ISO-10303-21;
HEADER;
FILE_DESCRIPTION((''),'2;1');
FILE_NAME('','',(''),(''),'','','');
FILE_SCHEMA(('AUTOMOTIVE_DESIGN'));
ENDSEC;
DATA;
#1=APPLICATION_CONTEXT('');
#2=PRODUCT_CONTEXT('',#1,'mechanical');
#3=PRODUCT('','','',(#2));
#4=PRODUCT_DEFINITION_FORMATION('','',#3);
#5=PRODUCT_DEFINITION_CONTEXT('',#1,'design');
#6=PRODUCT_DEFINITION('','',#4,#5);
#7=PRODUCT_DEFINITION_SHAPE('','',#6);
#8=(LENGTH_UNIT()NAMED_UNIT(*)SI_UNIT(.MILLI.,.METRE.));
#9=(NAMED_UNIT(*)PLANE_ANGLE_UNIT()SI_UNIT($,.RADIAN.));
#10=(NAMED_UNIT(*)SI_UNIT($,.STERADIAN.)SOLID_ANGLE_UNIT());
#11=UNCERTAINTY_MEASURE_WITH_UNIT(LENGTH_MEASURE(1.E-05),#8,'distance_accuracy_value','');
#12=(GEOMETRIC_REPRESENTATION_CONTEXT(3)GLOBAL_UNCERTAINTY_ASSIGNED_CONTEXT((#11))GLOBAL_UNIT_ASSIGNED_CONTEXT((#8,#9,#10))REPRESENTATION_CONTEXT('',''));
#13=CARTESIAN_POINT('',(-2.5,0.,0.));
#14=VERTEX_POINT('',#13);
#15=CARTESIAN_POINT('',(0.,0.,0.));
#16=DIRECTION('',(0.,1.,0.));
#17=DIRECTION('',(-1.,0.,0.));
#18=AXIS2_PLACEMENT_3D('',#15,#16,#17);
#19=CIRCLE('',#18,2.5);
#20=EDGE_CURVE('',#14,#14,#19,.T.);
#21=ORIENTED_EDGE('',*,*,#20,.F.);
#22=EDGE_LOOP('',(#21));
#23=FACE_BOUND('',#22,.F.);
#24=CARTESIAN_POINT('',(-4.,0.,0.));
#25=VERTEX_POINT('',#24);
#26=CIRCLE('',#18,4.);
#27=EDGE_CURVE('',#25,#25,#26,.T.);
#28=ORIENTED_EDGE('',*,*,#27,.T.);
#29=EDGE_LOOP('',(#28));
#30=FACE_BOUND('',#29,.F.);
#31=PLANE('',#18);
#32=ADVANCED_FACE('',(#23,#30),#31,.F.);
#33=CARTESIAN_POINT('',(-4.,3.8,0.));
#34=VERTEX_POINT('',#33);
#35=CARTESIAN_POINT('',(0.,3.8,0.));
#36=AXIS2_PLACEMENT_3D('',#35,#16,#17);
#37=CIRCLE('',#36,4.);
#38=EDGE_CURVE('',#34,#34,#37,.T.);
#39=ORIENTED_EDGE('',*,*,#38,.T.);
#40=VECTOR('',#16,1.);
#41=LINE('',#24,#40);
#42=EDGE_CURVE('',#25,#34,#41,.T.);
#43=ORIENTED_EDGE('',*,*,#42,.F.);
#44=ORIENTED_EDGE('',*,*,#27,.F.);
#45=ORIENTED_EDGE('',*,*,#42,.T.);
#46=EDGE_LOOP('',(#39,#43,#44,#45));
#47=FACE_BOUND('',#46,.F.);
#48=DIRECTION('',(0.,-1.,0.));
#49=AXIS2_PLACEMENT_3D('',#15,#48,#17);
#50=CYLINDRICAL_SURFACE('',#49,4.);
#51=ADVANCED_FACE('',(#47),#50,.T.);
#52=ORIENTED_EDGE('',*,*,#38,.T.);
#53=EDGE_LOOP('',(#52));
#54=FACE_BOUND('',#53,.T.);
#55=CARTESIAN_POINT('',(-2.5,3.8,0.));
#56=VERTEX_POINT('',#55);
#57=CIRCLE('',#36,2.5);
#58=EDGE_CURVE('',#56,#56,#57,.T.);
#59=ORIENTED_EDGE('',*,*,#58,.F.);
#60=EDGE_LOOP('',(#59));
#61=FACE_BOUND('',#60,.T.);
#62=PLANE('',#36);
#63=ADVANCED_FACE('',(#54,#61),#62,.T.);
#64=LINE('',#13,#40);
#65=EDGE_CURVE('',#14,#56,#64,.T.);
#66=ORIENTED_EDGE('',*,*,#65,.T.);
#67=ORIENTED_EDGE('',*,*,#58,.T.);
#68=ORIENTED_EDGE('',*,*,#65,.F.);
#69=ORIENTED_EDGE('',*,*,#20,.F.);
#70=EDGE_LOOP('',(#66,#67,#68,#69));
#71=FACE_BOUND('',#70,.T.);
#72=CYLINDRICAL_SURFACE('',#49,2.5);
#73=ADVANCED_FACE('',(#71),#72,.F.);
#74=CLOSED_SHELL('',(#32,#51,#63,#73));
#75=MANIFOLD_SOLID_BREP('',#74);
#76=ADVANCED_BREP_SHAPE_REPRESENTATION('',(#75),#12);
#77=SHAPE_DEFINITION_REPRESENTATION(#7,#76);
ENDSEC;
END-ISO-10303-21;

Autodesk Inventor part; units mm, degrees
ref_plane "YZ Plane" through (0, 0, 0) normal (1, 0, 0) x (0, 1, 0)
ref_plane "XZ Plane" through (0, 0, 0) normal (0, 1, 0) x (-1, 0, 0)
ref_plane "XY Plane" through (0, 0, 0) normal (0, 0, 1) x (1, 0, 0)
sketch "Sketch1" plane through (0, 0, 0) normal (0, 1, 0) x (-1, 0, 0)
  circle A0 centre (0, 0) radius 2.5
  circle A1 centre (0, 0) radius 4
  dimension "d0" = 5
  dimension "d1" = 8
extrude "Extrusion1" add sketch "Sketch1" along normal blind 3.8
properties part number "smol_gear_support"
